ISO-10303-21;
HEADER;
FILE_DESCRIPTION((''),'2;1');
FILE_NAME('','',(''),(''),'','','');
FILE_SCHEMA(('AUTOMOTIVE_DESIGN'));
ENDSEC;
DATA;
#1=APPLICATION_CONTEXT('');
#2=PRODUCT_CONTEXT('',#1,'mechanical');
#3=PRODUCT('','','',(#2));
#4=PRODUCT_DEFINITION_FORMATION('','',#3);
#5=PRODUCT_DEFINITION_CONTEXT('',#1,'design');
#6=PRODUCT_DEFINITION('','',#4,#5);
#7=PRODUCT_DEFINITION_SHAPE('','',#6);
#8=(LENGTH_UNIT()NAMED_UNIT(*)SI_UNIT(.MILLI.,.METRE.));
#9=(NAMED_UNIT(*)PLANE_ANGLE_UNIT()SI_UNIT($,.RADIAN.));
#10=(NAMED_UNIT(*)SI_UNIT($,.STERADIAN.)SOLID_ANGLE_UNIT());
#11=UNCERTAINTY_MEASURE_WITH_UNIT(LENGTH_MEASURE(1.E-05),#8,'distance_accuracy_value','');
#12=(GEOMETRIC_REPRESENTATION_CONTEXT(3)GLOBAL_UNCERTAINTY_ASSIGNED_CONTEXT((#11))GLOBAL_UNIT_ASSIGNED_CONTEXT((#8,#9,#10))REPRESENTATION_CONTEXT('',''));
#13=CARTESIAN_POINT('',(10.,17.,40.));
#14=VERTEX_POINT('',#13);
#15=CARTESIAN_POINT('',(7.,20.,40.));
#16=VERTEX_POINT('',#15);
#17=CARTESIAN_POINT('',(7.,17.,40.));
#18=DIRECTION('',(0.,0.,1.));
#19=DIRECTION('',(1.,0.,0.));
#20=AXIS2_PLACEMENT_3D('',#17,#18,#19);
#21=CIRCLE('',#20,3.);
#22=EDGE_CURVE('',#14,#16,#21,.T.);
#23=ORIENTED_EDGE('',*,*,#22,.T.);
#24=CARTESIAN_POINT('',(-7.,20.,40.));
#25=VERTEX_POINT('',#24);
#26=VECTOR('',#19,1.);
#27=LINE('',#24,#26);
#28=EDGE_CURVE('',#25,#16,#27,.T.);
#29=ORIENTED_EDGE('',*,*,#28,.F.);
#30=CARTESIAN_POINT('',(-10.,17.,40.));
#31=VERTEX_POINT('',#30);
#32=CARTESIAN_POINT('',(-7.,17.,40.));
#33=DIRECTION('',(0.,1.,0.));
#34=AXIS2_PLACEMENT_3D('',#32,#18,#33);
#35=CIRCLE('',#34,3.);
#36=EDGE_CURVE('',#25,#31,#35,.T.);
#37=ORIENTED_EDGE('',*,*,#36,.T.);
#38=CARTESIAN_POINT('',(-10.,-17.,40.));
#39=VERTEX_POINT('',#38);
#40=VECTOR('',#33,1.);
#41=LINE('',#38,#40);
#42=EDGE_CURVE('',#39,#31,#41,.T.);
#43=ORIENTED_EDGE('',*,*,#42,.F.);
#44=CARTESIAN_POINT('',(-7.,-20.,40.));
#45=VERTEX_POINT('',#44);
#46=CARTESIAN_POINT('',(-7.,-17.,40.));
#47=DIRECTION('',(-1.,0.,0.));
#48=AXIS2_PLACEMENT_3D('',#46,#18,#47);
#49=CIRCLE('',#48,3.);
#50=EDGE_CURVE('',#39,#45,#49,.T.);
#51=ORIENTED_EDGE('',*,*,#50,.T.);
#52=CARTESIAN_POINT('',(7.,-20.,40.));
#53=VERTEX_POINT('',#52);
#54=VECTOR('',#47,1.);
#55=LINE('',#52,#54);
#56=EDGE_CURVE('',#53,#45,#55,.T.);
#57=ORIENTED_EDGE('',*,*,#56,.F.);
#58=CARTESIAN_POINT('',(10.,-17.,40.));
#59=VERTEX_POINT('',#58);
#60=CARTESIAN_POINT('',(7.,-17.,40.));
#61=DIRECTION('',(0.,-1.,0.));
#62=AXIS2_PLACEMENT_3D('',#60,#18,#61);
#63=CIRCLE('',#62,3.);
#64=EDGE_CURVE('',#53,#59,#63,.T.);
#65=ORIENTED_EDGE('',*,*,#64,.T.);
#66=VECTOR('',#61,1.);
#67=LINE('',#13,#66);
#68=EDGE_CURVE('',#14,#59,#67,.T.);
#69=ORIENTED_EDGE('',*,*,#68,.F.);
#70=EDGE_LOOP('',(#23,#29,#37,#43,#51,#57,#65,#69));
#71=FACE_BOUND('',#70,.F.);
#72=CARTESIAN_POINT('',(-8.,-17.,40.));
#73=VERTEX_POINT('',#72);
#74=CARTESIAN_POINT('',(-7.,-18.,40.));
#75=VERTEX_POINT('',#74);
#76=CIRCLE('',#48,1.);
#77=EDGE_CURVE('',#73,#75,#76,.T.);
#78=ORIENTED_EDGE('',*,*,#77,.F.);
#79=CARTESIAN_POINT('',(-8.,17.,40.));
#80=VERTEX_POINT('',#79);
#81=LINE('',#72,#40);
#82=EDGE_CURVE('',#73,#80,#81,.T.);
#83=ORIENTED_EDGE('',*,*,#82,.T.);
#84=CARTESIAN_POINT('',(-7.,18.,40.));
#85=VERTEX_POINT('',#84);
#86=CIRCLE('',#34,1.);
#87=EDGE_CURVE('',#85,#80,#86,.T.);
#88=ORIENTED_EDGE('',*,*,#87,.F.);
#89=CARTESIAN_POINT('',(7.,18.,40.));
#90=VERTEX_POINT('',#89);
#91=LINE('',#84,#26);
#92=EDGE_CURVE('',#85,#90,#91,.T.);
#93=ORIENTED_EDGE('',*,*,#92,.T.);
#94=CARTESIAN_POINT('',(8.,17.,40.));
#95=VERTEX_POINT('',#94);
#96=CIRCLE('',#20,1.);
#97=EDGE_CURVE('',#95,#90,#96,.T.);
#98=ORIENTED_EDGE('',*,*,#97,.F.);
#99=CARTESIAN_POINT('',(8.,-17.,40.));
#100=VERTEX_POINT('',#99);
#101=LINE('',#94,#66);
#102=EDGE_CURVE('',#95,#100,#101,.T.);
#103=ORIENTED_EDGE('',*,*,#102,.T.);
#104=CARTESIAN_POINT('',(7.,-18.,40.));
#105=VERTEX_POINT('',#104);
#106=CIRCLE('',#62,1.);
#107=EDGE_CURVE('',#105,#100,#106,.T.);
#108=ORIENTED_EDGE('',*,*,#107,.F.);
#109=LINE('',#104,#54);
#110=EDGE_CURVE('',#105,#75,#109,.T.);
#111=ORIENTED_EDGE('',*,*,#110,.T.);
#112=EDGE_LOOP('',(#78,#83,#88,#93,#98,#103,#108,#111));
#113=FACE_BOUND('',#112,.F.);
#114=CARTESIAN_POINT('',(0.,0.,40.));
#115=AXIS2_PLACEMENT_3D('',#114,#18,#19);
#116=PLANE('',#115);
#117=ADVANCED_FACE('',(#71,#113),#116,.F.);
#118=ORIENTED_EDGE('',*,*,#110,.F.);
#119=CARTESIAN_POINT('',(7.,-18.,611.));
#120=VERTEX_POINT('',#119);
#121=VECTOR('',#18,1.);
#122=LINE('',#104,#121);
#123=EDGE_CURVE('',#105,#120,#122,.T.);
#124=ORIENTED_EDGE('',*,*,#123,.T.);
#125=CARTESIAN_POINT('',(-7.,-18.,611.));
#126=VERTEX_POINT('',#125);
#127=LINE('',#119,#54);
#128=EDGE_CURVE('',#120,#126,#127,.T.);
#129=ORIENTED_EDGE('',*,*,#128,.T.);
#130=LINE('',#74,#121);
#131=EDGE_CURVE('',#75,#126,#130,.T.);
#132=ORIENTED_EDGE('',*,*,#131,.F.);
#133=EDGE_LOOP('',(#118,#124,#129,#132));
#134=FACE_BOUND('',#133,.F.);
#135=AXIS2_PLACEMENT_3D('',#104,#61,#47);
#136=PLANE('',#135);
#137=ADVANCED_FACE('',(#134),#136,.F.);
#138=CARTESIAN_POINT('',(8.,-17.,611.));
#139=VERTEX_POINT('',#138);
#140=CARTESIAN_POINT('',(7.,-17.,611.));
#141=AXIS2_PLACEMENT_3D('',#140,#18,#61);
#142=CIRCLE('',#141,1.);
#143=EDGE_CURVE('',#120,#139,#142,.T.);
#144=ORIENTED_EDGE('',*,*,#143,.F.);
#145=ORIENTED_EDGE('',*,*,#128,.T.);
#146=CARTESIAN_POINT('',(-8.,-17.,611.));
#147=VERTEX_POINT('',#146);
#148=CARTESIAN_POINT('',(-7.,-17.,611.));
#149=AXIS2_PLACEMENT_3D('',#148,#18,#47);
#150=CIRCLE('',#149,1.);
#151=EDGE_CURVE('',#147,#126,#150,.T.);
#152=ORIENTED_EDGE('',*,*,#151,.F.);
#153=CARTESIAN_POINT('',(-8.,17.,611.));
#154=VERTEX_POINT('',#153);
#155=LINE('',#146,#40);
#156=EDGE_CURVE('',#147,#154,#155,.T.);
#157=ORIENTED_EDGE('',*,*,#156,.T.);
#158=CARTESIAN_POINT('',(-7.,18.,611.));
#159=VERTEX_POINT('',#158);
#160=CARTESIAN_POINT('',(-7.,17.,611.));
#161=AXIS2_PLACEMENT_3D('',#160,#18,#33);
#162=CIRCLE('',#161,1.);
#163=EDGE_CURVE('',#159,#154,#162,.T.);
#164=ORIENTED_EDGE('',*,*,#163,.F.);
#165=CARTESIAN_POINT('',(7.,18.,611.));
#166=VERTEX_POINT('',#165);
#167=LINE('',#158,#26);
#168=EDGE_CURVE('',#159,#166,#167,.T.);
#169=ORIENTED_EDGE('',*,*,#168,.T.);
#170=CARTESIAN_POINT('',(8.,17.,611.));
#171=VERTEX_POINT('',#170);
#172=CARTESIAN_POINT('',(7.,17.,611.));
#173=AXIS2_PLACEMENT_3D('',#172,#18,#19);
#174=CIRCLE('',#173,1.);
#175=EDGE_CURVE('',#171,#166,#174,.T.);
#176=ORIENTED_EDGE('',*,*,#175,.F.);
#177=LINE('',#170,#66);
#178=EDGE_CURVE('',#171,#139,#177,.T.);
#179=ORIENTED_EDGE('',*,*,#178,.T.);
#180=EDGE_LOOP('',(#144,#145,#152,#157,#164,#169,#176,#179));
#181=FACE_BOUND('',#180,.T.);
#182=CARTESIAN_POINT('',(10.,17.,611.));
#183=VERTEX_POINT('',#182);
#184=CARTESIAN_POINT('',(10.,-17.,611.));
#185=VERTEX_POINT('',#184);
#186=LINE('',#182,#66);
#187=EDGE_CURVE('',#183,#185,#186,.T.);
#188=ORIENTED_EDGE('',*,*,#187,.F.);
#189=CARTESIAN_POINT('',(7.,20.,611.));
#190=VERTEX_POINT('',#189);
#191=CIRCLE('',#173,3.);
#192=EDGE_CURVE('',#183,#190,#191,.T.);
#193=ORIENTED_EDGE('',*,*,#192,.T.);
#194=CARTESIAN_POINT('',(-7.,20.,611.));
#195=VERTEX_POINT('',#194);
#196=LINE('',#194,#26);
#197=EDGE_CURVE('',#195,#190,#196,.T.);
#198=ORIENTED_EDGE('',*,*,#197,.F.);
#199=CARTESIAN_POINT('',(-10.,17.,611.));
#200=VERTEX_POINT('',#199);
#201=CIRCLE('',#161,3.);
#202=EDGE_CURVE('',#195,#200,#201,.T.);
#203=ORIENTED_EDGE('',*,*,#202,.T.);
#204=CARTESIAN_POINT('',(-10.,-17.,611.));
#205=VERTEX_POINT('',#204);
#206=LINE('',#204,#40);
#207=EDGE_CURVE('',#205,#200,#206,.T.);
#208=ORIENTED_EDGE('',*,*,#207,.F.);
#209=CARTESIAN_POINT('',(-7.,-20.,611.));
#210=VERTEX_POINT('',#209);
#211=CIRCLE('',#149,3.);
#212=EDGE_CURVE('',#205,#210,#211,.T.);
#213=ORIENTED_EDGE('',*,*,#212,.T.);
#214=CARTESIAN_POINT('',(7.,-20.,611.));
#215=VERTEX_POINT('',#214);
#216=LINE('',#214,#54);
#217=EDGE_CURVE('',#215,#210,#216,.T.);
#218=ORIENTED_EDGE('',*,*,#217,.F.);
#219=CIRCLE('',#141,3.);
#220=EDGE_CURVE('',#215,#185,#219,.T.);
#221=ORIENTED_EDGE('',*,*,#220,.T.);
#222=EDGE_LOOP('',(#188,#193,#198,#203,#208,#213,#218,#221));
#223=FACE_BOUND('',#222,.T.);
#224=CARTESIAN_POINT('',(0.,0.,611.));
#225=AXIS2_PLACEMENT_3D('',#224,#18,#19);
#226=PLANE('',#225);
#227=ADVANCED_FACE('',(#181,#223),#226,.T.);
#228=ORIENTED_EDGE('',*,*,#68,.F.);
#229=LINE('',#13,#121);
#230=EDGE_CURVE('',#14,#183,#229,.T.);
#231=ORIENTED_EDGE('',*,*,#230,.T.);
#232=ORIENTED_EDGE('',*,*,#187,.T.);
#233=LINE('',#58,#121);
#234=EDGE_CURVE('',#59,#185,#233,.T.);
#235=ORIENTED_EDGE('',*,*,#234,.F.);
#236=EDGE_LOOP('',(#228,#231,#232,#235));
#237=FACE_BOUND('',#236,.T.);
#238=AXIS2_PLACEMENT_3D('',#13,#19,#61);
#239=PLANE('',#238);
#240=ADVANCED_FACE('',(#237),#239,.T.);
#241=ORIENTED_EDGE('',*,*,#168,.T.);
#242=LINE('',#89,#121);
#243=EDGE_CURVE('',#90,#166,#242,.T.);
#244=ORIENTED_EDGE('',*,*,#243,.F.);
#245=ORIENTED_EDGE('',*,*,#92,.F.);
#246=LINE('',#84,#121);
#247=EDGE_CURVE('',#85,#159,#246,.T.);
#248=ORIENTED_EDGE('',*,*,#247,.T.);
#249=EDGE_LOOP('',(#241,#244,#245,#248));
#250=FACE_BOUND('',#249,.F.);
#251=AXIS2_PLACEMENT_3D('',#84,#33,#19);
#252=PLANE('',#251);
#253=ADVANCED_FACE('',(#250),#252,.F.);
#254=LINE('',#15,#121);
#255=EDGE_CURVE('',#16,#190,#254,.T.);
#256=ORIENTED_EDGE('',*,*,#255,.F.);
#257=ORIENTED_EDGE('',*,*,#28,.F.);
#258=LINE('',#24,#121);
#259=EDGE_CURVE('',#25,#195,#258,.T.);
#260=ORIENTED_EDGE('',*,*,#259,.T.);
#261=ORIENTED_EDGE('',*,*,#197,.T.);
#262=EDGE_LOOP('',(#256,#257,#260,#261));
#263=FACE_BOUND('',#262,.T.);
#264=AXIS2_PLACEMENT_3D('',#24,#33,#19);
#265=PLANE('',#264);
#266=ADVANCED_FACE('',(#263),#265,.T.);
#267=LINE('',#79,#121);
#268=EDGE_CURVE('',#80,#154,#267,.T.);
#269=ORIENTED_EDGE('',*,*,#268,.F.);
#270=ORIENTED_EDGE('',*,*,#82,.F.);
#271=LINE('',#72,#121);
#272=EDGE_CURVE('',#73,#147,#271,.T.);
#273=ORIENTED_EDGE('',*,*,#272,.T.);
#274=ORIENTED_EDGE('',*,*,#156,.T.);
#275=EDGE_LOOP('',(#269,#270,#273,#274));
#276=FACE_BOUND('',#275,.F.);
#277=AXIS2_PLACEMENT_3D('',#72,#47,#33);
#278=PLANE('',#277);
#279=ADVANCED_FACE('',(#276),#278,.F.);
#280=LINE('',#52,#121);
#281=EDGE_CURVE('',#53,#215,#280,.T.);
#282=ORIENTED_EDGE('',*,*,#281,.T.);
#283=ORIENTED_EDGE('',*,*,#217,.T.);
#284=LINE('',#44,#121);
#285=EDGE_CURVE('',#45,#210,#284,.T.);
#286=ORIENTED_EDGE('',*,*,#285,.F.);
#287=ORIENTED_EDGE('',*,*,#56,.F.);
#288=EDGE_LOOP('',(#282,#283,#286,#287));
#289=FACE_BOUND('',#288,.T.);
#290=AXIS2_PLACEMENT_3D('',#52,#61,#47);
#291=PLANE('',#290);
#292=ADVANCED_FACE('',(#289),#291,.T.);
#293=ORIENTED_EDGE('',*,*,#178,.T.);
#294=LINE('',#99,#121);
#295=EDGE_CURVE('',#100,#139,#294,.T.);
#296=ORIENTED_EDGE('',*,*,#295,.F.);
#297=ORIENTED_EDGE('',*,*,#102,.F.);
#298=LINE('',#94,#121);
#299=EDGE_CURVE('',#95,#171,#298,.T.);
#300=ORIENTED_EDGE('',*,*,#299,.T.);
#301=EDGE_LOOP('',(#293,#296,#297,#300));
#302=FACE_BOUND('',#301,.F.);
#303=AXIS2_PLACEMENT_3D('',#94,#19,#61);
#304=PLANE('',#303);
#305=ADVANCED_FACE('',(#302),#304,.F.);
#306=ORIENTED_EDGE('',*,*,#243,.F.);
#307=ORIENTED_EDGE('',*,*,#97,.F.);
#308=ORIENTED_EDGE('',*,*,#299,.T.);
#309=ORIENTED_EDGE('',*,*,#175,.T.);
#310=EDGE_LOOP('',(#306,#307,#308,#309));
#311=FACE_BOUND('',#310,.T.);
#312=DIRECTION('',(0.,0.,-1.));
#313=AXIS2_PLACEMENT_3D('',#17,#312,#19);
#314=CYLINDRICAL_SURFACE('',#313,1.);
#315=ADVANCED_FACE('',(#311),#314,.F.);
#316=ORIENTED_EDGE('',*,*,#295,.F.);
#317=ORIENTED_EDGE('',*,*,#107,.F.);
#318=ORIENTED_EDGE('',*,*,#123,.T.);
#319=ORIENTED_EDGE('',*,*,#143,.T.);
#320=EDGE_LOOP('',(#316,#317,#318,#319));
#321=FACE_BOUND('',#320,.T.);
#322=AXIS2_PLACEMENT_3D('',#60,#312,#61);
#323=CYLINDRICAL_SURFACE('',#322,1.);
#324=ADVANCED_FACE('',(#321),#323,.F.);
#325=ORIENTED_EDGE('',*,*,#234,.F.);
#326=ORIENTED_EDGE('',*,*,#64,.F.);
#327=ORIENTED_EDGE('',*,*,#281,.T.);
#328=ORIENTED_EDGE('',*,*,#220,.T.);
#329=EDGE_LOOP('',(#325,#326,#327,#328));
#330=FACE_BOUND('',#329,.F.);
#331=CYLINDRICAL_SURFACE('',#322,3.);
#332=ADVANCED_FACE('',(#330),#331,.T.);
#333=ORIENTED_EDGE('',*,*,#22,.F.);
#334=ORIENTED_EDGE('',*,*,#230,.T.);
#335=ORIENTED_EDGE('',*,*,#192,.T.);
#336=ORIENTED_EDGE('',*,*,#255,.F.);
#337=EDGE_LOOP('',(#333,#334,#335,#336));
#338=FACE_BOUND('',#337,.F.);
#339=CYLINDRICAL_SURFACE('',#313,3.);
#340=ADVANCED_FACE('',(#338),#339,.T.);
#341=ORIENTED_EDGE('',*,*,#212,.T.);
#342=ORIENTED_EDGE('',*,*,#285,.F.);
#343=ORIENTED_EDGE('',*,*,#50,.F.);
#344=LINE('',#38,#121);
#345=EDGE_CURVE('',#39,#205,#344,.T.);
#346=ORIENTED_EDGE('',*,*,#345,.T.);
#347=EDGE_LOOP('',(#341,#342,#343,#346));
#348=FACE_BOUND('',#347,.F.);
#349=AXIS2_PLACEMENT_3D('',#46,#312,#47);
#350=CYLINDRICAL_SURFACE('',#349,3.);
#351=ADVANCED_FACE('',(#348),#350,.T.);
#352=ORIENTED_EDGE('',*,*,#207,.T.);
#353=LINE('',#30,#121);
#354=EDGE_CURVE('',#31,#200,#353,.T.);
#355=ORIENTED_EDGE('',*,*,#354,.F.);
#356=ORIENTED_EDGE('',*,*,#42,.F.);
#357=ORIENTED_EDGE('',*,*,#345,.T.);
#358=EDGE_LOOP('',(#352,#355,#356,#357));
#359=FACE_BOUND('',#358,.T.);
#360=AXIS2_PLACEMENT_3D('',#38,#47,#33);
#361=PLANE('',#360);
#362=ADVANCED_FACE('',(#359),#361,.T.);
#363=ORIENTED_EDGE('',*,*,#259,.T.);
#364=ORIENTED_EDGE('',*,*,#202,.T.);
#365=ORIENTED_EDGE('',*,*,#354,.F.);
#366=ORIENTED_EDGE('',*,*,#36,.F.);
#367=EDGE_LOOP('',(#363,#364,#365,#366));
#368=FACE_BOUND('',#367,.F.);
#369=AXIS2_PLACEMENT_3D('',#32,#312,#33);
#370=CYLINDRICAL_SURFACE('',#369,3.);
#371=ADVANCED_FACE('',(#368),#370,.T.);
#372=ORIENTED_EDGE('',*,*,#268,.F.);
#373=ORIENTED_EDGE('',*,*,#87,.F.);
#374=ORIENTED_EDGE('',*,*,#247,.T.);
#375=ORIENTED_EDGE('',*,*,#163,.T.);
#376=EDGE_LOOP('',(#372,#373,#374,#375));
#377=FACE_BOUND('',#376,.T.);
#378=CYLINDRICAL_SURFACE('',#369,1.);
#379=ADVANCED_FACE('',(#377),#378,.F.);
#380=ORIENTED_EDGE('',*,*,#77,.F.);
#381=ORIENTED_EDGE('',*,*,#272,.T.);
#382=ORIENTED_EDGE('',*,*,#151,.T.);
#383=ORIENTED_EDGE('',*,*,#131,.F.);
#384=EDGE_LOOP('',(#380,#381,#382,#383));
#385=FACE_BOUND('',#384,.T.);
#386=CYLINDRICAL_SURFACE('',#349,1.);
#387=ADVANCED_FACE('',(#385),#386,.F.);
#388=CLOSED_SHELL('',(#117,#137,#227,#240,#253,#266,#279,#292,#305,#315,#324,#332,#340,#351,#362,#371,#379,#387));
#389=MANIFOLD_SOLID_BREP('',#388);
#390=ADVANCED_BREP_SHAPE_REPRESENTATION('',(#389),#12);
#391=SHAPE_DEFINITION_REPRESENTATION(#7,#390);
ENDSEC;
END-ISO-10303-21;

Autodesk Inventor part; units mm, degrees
ref_plane "Start plane" through (0, 0, 40) normal (0, 0, 1) x (1, 0, 0)
ref_plane "End plane" through (0, 0, 611) normal (0, 0, 1) x (1, 0, 0)
sketch "Sketch" plane through (0, 0, 0) normal (0, 0, 1) x (1, 0, 0)
  line L0 (-10, -17) -> (-10, 17)
  line L1 (-7, 20) -> (7, 20)
  line L2 (10, 17) -> (10, -17)
  line L3 (7, -20) -> (-7, -20)
  arc A0 (-10, -17) -> (-7, -20) centre (-7, -17) ccw
  arc A1 (-7, 20) -> (-10, 17) centre (-7, 17) ccw
  arc A2 (10, 17) -> (7, 20) centre (7, 17) ccw
  arc A3 (7, -20) -> (10, -17) centre (7, -17) ccw
  arc A4 (-7, 18) -> (-8, 17) centre (-7, 17) ccw
  line L4 (-7, 18) -> (7, 18)
  arc A5 (8, 17) -> (7, 18) centre (7, 17) ccw
  line L5 (8, 17) -> (8, -17)
  arc A6 (7, -18) -> (8, -17) centre (7, -17) ccw
  line L6 (7, -18) -> (-7, -18)
  arc A7 (-8, -17) -> (-7, -18) centre (-7, -17) ccw
  line L7 (-8, -17) -> (-8, 17)
  line L8 (0, 28.8698) -> (0, -28.8698) construction
  line L9 (-14.8698, 0) -> (14.8698, 0) construction
  dimension "d7" = 3
  dimension "d10" = 40
  dimension "d11" = 20
  dimension "d12" = 2
  dimension "d15" = 20
  dimension "d16" = 10
extrude "Body" add sketch "Sketch" along normal up to surface (571 mm away) from surface at 40
sketch "Sketch3" plane through (0, 0, 0) normal (0, 0, 1) x (1, 0, 0)
  line L0 (0, 0) -> (10, 0)
ref_plane "Work Plane3" through (0, 0, 0) normal (0, -1, 0) x (1, 0, 0)
sketch "Sketch4" plane through (0, 0, 0) normal (0, -1, 0) x (1, 0, 0)
  line L0 (-2, 40) -> (12, 40)
  line L1 (-2, 611) -> (12, 611)
  dimension "d18" = 571
ref_plane "Work Plane4" through (7, -580, 40) normal (0, 0, -1) x (-1, 0, 0)
split "Split1" plane through (7, -580, 40) removes the side toward (0, 0, -1)
ref_plane "Work Plane5" through (-37, -600, 611) normal (0, 0, 1) x (1, 0, 0)
split "Split2" plane through (-37, -600, 611) removes the side toward (0, 0, 1)
equation "\"d7\" = G_IR"
equation "\"d10\" = G_H"
equation "\"d11\" = G_W"
equation "\"d12\" = G_T"
equation "\"d15\" = 0.5 * d10"
equation "\"d16\" = 0.5 * d11"
equation "\"d3\" = G_L"
equation "\"G_W\" = 20"
equation "\"G_H\" = 40"
equation "\"G_T\" = 2"
equation "\"G_IR\" = 3"
equation "\"G_L\" = d18"
equation "\"G_OFFSET_START\" = -40"
equation "\"G_OFFSET_END\" = -40"
equation "\"d13\" = -G_OFFSET_START"
equation "\"d14\" = G_OFFSET_END + B_L"
equation "\"B_L\" = 651"
properties part number "UNI EN 10305-5 - 40 x 20 x 2  - 571" material "Steel, Mild"
